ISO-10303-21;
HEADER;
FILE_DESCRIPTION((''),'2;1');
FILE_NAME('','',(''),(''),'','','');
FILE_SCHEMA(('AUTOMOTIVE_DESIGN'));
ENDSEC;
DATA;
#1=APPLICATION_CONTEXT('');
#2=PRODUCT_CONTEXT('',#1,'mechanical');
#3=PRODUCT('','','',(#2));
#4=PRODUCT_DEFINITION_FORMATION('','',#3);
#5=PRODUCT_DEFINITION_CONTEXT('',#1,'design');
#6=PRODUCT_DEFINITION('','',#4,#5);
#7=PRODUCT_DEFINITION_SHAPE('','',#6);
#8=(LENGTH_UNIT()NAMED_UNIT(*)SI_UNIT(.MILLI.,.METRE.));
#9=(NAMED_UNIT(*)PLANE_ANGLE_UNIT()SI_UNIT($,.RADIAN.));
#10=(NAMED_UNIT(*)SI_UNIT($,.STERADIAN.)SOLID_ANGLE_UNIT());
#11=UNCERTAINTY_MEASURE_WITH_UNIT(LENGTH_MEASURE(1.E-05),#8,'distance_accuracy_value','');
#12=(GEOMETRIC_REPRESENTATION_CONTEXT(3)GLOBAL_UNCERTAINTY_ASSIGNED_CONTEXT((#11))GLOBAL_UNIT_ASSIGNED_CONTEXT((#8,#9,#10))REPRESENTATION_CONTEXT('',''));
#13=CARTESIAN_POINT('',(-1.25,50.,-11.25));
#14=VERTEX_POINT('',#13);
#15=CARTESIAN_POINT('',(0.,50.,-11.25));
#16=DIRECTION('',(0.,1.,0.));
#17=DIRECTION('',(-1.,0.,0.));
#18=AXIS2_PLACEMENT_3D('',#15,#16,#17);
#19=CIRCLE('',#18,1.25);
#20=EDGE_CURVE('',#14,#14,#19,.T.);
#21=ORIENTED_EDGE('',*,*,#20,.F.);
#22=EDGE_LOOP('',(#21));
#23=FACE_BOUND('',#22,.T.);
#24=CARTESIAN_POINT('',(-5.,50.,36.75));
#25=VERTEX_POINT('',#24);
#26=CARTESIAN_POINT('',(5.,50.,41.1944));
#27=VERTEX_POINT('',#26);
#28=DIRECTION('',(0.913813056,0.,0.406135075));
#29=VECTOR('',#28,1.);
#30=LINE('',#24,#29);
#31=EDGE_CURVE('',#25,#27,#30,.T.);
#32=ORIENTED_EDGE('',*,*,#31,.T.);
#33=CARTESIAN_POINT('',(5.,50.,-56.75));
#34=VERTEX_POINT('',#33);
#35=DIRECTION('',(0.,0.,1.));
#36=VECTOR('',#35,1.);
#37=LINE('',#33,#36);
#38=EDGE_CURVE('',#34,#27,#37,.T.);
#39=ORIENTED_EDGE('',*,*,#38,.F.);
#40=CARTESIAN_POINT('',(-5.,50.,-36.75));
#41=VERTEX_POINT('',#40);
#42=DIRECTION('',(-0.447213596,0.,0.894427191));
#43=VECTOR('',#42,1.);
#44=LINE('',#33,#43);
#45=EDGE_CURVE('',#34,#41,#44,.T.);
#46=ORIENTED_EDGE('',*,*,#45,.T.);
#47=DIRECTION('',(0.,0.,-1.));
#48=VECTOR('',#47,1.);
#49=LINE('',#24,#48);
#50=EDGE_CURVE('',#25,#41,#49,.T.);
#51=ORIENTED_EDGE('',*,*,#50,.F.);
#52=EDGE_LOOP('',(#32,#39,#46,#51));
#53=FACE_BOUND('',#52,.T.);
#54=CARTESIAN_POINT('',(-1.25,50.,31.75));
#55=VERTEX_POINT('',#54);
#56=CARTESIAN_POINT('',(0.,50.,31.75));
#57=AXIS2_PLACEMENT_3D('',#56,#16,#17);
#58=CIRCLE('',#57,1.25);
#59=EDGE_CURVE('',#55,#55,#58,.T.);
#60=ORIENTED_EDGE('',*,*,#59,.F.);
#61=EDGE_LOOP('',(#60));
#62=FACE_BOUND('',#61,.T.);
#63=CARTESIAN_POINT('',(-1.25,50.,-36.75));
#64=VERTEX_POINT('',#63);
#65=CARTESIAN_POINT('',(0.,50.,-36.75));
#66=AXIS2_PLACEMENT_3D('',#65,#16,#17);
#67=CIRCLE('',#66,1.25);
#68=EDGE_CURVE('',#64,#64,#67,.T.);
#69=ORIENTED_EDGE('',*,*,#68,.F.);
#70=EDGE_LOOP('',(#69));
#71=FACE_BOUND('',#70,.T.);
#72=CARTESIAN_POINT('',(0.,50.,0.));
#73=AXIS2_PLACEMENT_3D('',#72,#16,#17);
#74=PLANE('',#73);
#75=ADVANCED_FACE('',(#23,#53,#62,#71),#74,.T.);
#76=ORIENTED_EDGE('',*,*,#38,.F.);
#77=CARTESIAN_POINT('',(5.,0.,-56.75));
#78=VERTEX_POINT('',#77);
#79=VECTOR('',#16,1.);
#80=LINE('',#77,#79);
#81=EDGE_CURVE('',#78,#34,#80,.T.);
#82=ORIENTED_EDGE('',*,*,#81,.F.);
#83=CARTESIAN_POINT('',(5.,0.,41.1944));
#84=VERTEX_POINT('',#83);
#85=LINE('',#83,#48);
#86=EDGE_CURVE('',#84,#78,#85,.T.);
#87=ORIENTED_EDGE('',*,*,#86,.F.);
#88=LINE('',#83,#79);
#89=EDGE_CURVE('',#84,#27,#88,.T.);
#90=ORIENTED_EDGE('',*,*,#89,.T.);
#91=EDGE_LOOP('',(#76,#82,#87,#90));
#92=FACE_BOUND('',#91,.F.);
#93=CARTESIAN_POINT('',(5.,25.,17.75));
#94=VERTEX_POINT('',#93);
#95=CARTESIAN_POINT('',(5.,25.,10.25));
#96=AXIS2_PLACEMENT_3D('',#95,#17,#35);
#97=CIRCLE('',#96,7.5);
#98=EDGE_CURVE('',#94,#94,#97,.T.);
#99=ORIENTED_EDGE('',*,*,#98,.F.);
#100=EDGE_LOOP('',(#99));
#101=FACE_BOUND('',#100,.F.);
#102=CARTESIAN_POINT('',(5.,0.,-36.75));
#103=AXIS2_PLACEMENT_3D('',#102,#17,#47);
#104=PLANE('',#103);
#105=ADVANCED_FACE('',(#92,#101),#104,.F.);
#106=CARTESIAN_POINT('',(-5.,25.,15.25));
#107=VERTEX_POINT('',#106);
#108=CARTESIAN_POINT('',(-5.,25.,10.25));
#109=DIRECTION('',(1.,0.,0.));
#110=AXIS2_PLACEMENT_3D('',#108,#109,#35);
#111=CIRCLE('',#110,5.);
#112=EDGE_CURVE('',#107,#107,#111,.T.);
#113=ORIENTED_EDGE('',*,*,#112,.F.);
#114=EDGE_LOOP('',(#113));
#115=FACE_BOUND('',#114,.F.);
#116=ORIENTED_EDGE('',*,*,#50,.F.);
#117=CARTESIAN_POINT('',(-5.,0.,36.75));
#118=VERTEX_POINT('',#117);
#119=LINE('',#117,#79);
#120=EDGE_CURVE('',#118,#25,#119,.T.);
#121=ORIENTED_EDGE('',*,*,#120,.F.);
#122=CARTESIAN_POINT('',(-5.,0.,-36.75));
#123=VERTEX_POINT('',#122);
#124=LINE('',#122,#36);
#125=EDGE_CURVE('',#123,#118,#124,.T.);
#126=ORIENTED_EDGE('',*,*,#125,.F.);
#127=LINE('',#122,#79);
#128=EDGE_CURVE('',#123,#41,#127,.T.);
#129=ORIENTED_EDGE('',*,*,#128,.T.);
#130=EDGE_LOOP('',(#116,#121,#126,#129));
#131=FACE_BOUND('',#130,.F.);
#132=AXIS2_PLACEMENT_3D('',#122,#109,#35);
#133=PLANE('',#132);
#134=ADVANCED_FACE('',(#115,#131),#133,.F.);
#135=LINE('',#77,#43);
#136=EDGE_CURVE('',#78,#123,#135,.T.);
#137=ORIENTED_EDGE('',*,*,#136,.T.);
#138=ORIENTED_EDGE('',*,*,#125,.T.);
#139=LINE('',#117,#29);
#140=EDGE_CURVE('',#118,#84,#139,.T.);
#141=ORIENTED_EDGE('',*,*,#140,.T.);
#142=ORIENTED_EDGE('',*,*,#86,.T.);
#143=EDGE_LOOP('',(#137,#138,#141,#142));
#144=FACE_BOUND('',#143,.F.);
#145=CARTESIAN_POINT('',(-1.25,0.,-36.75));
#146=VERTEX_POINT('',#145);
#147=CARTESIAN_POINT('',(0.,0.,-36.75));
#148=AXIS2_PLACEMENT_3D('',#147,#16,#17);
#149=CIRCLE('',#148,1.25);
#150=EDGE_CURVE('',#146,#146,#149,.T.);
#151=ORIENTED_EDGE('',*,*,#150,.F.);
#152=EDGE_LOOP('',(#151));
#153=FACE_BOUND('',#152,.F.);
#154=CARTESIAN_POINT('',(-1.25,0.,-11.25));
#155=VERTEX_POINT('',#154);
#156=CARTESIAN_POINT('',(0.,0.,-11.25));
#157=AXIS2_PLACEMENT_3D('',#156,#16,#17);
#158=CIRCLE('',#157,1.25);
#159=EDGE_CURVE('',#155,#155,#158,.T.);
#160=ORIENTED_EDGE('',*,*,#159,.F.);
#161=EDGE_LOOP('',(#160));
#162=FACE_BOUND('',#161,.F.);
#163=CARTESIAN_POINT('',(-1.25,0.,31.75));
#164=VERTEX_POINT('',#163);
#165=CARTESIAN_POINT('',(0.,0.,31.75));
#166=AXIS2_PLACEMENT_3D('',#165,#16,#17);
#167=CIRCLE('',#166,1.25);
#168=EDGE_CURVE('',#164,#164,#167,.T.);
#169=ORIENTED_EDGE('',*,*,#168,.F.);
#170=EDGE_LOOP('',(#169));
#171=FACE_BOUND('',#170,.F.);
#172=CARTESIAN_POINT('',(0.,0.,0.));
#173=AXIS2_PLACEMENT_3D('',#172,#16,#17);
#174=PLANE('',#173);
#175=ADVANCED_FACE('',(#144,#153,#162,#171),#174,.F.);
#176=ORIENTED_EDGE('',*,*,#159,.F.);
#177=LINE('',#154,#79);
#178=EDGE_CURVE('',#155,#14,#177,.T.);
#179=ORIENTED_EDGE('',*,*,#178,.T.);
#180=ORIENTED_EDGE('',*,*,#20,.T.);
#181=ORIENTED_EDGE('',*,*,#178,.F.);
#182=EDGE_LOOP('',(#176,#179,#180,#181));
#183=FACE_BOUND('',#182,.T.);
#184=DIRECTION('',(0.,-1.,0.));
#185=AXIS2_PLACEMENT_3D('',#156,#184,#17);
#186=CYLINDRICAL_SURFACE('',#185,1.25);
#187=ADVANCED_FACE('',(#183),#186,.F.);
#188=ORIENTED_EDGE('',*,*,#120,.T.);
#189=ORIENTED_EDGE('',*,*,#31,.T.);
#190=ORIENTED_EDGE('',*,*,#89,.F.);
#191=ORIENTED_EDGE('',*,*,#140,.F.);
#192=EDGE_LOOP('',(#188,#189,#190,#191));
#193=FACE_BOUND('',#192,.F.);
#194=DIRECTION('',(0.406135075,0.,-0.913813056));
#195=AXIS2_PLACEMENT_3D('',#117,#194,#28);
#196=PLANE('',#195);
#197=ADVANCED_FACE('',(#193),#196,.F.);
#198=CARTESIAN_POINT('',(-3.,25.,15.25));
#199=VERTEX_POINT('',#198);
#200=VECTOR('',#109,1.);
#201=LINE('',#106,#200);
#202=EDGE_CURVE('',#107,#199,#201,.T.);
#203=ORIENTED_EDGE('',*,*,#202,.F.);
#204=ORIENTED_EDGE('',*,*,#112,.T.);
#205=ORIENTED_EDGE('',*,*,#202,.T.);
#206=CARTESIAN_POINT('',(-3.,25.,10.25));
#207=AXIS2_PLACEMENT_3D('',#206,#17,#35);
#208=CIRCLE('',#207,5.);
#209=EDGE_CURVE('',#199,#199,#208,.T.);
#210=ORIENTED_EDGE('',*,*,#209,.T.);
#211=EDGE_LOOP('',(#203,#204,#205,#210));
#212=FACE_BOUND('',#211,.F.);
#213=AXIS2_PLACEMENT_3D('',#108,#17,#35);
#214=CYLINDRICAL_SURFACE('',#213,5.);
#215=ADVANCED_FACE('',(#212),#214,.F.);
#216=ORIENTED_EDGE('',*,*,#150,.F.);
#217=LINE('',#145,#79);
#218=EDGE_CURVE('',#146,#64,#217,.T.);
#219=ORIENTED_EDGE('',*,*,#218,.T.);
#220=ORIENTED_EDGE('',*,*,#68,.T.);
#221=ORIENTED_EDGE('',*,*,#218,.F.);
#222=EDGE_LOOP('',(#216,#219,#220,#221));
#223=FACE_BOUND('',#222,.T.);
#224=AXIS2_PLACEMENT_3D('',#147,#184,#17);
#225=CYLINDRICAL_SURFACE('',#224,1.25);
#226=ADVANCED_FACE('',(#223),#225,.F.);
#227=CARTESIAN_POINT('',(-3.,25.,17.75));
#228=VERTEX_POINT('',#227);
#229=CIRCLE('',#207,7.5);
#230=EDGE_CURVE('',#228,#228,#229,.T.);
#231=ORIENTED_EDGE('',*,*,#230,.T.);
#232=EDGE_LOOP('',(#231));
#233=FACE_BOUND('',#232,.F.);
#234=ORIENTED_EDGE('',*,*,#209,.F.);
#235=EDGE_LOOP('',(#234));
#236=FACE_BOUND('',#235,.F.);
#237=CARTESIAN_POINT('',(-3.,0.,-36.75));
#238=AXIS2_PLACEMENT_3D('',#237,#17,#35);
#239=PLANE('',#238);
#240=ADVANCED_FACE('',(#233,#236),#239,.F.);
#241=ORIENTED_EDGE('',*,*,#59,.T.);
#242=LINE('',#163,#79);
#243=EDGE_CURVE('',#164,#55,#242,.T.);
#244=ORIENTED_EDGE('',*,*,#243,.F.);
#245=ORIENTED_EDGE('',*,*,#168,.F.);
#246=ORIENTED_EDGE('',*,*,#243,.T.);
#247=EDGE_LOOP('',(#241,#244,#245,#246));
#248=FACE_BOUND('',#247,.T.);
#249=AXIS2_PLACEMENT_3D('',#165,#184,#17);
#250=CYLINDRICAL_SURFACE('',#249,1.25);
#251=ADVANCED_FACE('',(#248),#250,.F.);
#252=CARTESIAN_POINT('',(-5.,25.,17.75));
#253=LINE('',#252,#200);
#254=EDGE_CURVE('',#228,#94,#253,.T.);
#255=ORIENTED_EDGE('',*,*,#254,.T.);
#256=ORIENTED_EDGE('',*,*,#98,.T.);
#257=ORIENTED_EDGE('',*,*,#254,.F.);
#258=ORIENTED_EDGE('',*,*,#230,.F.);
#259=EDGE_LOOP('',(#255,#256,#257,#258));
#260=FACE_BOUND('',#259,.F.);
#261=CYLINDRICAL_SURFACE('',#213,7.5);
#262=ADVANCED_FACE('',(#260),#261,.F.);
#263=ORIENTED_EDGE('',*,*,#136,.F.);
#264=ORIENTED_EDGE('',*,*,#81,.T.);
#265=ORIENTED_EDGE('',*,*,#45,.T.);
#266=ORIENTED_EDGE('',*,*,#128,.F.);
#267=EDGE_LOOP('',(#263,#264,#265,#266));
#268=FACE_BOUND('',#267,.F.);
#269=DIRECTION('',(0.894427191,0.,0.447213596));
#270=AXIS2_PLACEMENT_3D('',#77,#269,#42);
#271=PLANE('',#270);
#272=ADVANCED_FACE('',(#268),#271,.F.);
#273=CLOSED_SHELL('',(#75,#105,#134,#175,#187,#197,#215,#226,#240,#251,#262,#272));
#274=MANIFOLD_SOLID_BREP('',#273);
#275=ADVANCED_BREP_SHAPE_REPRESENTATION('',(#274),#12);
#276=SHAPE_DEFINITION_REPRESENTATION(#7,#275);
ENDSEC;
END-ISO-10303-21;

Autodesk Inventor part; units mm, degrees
ref_plane "YZ Plane" through (0, 0, 0) normal (1, 0, 0) x (0, 1, 0)
ref_plane "XZ Plane" through (0, 0, 0) normal (0, 1, 0) x (-1, 0, 0)
sketch "Sketch1" plane through (0, 0, 0) normal (0, 1, 0) x (-1, 0, 0)
  line L0 (5, -36.75) -> (5, 36.75)
  line L1 (-5, 36.75) -> (-5, -36.75)
  line L2 (-5, 36.75) -> (-5, 41.1944)
  line L3 (5, 36.75) -> (-5, 41.1944)
  line L4 (-5, -36.75) -> (-5, -56.75)
  line L5 (-5, -56.75) -> (5, -36.75)
  line L6 (5, 11.25) -> (5, -36.75)
  line L7 (5, -31.75) -> (5, -36.75)
  line L8 (5, 31.75) -> (5, 36.75)
  circle A0 centre (0, 31.75) radius 1.25
  circle A1 centre (0, -36.75) radius 1.25
  circle A2 centre (0, -11.25) radius 1.25
  point P0 (0, 0)
  dimension "d3" = 10
  dimension "d4" = 73.5
  dimension "d6" = 4.4444
  dimension "d8" = 20
  dimension "d17" = 2.5
  dimension "d26" = 2.5
  dimension "d28" = 2.5
ref_plane "Work Plane1" through (-5, 0, -36.75) normal (-1, 0, 0) x (0, 0, 1)
extrude "Extrusion3" add sketch "Sketch1" along normal blind 50
sketch "Sketch3" plane through (-5, 0, -36.75) normal (-1, 0, 0) x (0, 0, 1)
  line L0 (73.5, 50) -> (47, 50)
  line L1 (47, 50) -> (47, 25)
  line L2 (47, 25) -> (73.5, 25)
  line L3 (73.5, 25) -> (73.5, 50)
  circle A0 centre (47, 25) radius 7.5
  circle A1 centre (47, 25) radius 5
  point P0 (36.75, 0)
  dimension "d37" = 26.5
  dimension "d38" = 25
  dimension "d39" = 15
  dimension "d42" = 10
extrude "Extrusion6" cut sketch "Sketch3" against normal blind 10 contours A0 L2 A1 L1 | L1 A1 L2 A0 | A1 L2 L1 | L1 L2 A1
extrude "Extrusion7" add sketch "Sketch3" against normal blind 2 contours A0 L2 A1 L1 | L1 A1 L2 A0
properties part number "bocnice_delsi"
